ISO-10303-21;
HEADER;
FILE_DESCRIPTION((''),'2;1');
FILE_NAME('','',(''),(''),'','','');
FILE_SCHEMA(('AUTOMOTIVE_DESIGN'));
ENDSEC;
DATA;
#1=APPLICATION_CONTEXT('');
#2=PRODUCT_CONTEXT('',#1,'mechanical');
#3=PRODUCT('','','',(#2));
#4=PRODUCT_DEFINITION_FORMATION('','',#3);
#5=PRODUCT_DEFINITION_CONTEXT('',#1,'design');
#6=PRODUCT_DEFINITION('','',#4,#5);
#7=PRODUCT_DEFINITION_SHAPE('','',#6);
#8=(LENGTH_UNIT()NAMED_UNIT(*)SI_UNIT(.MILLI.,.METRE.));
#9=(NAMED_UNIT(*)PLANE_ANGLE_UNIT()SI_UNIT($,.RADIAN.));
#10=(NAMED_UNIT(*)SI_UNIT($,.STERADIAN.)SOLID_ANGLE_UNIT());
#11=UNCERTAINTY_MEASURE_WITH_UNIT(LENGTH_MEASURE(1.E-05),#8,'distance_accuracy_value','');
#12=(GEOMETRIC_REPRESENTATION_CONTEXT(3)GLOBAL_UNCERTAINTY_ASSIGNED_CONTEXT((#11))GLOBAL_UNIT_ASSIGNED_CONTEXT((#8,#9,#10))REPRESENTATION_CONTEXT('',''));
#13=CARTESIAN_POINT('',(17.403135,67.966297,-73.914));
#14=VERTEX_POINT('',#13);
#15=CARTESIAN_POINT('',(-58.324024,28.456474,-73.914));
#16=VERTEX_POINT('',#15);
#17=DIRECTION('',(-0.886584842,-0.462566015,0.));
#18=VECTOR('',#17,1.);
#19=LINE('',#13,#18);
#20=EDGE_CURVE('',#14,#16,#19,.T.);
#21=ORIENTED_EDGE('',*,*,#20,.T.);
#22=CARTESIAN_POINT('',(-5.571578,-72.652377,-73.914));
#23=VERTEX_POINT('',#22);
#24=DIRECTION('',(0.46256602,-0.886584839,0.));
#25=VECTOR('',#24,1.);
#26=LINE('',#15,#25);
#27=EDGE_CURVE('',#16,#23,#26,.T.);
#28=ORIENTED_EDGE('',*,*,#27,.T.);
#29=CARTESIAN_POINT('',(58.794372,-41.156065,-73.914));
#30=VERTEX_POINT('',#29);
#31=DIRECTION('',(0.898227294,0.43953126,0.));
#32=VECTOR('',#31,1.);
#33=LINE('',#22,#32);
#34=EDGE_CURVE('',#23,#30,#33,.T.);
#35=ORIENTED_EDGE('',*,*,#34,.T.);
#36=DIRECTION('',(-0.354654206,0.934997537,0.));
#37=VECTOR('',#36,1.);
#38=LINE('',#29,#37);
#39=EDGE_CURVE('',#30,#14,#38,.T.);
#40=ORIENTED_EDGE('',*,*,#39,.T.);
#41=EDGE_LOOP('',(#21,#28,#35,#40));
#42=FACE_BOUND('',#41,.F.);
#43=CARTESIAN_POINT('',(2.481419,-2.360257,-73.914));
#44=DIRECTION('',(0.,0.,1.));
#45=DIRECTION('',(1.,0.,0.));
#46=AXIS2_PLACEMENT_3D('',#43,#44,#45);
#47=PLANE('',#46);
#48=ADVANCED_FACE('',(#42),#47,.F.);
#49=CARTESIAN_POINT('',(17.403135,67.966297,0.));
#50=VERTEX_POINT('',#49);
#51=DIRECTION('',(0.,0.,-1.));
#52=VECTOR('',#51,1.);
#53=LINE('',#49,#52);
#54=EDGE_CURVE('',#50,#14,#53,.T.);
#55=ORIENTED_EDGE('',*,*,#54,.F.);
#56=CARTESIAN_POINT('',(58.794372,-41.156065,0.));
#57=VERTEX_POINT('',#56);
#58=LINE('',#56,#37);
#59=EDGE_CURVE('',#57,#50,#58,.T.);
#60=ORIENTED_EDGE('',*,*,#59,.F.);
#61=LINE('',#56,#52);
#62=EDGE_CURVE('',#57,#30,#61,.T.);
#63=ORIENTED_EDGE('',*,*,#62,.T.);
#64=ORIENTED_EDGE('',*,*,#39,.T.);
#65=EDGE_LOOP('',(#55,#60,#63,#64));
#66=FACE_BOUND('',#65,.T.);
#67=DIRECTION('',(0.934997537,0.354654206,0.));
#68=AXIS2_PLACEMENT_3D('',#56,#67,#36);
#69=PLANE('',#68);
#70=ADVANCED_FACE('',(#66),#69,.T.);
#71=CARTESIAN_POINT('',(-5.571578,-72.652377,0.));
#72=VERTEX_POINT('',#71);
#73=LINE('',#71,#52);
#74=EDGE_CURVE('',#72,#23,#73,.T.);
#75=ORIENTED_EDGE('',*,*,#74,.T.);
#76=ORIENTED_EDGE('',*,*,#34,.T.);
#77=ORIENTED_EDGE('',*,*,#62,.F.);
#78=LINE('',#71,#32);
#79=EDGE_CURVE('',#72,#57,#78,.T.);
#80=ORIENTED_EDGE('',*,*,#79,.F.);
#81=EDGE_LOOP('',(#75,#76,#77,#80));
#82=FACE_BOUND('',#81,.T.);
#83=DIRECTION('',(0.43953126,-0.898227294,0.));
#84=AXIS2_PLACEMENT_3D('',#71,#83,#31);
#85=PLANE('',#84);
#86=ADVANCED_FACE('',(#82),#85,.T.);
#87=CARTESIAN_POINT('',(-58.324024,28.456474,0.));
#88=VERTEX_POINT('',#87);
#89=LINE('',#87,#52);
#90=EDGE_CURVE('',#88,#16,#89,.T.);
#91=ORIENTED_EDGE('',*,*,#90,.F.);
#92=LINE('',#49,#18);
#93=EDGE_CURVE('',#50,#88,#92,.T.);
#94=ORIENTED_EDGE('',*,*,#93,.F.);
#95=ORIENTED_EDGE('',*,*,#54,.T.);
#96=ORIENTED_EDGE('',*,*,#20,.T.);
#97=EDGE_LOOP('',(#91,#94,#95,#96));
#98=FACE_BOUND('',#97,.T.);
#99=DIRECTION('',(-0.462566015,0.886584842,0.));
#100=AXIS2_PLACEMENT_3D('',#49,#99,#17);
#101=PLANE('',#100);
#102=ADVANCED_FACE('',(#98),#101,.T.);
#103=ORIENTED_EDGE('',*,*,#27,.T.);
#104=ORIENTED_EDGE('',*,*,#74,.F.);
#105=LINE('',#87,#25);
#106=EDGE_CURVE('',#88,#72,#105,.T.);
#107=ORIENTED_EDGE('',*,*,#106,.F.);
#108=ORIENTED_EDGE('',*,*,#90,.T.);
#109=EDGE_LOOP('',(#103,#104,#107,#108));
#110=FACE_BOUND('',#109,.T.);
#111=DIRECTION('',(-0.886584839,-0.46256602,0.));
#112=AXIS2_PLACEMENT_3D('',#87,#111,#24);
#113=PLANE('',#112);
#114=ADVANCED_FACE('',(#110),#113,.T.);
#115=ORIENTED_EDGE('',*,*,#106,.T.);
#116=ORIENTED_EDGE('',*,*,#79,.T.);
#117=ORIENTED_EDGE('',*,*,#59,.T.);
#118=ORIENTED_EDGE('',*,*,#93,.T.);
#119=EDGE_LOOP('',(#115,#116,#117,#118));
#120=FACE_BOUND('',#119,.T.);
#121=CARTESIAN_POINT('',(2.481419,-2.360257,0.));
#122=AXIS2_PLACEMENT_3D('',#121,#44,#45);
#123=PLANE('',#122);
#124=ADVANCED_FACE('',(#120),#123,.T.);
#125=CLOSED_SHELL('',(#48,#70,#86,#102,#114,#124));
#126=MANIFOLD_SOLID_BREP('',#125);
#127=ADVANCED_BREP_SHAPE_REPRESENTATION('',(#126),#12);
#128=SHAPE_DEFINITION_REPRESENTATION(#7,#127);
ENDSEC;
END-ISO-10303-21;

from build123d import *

# Parameters (mm, degrees)
F1_DEPTH = 73.914


with BuildPart() as f1:
    # F0 (on Top) → F1 (new body)
    with BuildSketch(Plane.XY):
        Polygon((-5.571578, -72.652377), (58.794372, -41.156065), (17.403135, 67.966297), (-58.324024, 28.456474), align=None)
    extrude(amount=-F1_DEPTH)


solid = f1.part
